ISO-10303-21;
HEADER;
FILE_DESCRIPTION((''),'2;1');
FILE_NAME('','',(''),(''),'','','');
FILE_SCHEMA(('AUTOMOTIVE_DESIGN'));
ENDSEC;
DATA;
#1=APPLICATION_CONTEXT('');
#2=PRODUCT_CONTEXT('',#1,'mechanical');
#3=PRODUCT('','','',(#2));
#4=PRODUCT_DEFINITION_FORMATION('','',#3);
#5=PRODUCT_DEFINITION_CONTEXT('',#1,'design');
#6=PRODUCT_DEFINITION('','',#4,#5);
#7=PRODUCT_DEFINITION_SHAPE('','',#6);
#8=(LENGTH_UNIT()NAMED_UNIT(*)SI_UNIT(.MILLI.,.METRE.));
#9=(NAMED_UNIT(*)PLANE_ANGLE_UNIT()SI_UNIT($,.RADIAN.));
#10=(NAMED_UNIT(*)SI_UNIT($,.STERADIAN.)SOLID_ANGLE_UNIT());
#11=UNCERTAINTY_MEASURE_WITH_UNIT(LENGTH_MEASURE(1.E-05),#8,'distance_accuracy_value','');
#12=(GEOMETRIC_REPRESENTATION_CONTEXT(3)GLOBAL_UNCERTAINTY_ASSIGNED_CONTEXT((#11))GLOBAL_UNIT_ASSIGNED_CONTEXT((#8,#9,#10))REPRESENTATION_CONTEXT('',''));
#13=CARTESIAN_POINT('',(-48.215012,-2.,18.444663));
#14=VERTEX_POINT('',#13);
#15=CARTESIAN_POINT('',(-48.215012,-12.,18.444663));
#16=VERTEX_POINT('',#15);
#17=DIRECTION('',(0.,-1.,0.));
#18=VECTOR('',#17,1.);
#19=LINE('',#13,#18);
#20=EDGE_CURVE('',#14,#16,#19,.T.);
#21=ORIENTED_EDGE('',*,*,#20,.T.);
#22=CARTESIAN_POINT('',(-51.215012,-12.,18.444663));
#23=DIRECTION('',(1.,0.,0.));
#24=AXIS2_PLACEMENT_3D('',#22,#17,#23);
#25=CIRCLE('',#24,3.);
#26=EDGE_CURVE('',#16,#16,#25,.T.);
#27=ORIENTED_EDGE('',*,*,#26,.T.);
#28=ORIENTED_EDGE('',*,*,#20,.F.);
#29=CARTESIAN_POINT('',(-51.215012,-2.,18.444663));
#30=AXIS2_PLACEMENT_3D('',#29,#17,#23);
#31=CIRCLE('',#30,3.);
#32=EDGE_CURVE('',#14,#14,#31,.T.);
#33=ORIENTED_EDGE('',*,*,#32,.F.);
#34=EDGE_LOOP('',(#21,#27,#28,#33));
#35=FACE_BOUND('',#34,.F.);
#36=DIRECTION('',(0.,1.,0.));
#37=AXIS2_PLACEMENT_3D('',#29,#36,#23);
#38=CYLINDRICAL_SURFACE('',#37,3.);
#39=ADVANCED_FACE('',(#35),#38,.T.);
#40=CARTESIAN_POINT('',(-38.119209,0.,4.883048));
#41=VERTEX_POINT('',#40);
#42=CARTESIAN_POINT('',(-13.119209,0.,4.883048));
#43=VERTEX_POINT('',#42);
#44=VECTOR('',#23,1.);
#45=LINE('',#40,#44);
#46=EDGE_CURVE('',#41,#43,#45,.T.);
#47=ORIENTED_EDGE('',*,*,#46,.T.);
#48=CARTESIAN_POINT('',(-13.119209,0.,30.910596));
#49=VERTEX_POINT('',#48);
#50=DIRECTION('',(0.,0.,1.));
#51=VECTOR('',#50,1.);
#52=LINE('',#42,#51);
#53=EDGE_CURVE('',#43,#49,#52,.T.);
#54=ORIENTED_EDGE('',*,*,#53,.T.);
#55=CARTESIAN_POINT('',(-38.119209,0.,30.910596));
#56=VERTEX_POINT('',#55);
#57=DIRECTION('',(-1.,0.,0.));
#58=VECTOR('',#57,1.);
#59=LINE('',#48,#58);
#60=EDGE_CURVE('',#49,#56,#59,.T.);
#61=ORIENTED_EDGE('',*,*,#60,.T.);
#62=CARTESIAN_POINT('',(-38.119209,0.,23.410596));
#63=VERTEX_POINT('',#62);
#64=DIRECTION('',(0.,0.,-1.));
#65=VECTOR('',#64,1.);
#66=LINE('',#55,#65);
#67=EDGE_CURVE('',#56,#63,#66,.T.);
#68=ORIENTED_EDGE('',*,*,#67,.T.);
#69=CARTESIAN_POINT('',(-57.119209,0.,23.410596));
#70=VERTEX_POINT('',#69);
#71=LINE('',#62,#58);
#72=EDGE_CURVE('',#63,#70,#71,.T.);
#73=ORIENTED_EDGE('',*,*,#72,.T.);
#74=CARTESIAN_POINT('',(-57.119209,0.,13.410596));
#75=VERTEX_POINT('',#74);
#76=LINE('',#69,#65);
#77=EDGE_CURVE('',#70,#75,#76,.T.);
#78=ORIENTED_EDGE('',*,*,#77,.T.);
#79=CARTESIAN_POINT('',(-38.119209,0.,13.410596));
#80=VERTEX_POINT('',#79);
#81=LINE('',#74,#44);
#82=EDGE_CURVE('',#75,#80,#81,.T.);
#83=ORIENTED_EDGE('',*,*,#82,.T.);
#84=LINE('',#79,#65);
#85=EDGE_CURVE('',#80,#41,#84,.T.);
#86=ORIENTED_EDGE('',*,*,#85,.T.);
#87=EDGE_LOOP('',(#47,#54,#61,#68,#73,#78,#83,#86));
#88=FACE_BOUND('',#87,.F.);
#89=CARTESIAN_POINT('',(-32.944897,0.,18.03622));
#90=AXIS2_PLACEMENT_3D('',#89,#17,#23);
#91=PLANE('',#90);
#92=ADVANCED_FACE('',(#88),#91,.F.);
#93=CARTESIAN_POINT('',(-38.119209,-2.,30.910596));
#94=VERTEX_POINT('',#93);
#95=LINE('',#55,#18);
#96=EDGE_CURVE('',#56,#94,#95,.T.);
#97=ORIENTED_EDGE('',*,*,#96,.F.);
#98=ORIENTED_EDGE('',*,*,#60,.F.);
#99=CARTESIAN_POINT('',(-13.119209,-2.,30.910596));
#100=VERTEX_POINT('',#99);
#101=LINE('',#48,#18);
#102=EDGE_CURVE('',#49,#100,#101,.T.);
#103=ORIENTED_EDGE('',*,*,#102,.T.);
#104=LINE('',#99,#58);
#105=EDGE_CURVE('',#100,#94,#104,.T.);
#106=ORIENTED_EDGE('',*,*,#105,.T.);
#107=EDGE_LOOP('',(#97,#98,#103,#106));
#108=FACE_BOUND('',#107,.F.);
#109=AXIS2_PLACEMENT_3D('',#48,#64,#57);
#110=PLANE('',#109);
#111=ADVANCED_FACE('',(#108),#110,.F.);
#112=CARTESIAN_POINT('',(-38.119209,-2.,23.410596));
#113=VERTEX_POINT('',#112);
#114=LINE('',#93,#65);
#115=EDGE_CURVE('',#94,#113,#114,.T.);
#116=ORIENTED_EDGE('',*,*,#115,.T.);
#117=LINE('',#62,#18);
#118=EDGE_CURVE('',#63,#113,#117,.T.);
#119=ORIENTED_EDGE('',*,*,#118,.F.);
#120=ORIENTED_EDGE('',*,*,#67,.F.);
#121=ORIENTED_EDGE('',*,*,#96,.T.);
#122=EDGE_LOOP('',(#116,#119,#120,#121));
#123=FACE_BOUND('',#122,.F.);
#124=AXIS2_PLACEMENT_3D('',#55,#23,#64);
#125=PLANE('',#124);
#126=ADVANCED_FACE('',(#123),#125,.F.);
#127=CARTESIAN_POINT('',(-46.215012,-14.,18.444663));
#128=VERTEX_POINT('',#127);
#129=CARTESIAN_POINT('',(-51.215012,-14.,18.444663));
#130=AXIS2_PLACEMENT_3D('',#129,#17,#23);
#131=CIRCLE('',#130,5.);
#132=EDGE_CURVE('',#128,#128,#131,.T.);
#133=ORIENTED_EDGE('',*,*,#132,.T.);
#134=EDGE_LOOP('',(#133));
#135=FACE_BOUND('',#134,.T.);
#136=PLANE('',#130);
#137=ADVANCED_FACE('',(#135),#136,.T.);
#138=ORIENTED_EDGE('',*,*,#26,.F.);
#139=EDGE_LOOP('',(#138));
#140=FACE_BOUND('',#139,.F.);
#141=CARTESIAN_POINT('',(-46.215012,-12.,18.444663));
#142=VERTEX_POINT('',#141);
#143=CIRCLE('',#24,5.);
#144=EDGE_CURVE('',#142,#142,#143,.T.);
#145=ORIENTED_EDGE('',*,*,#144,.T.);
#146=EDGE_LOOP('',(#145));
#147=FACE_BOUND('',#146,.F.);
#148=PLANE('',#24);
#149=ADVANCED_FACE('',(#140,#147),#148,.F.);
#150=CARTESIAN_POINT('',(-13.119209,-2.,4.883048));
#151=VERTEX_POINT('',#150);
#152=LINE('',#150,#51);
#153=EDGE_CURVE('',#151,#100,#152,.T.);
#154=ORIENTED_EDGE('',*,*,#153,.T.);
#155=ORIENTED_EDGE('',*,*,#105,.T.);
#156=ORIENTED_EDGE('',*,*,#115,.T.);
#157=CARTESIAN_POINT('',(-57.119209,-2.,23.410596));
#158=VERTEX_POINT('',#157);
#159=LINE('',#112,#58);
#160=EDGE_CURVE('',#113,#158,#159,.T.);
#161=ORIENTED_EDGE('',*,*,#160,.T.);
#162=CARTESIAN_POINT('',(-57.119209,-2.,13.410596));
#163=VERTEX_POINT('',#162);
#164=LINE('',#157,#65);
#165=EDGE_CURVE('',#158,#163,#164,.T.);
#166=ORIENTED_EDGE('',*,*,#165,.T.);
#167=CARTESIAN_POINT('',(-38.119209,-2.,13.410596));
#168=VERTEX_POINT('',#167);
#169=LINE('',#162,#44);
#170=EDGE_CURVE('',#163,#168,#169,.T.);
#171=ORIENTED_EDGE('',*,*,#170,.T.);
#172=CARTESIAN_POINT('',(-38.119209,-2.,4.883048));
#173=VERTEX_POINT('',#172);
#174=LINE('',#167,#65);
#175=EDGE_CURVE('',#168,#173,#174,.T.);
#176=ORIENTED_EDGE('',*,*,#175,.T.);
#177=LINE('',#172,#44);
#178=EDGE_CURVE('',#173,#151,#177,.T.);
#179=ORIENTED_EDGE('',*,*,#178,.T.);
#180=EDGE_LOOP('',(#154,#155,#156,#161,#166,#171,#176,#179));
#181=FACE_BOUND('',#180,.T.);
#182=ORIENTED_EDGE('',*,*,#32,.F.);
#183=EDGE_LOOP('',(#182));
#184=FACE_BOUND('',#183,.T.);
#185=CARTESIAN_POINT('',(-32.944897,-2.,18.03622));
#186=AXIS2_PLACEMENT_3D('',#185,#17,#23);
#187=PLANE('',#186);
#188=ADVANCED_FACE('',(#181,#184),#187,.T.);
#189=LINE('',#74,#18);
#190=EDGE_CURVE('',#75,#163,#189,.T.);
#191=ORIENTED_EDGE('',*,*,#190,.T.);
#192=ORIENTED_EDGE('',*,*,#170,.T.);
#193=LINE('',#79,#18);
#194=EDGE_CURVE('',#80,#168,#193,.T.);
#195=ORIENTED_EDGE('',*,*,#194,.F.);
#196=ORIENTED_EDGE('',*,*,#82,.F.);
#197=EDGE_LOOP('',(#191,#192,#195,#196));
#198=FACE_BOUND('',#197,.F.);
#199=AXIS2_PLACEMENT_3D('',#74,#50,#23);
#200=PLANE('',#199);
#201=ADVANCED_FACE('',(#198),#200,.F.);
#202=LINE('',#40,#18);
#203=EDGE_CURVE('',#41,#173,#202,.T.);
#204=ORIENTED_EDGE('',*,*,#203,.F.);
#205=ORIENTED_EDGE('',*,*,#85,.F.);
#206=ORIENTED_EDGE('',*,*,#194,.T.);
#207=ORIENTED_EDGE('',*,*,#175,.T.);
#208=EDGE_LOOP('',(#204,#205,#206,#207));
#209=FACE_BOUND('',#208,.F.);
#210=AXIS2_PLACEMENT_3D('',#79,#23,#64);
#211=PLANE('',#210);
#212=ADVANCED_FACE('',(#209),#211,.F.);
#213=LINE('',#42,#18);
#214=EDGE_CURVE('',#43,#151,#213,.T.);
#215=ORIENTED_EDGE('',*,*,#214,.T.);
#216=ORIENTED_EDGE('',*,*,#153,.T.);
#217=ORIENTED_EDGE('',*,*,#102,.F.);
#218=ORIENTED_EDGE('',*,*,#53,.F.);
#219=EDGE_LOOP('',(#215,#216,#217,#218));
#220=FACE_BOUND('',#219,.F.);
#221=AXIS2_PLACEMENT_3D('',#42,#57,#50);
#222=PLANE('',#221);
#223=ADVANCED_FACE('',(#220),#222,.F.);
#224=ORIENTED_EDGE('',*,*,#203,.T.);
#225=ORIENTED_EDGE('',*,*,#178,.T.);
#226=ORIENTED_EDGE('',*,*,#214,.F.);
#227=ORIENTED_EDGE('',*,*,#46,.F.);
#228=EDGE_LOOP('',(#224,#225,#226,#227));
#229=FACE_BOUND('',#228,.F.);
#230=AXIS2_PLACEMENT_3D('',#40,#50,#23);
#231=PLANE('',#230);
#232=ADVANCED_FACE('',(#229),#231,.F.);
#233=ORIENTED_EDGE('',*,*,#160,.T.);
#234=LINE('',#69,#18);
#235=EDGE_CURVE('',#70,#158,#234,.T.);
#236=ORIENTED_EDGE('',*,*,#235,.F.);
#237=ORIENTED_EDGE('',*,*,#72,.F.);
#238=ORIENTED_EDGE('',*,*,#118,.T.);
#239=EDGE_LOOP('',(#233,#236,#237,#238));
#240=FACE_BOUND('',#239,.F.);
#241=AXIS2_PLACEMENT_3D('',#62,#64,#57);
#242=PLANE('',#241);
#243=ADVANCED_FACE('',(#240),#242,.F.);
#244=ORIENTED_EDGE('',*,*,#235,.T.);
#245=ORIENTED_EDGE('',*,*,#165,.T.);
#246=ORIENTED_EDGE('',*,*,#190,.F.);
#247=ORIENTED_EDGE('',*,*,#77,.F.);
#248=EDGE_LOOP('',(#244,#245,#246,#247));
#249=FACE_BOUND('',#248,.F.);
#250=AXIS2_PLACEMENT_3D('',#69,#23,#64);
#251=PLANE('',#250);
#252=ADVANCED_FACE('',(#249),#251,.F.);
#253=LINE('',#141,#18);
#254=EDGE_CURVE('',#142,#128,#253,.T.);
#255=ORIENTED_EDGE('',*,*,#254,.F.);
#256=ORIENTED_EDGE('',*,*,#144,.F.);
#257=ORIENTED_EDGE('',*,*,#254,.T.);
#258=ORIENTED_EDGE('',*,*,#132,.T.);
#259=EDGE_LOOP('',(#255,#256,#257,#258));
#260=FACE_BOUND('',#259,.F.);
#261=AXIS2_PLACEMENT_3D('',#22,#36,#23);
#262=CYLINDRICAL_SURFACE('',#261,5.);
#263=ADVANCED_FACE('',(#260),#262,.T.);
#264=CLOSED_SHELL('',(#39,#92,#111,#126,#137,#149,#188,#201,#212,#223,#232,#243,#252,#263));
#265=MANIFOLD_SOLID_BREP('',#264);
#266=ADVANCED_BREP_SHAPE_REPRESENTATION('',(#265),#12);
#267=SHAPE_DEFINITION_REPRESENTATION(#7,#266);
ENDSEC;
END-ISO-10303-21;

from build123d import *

# Parameters (mm, degrees)
F1_DEPTH = 2
F2_R     = 3
F3_DEPTH = 10
F4_R     = 5
F5_DEPTH = 2


with BuildPart() as f1:
    # F0 (on Front) → F1 (new body)
    with BuildSketch(Plane.XZ):
        Polygon((-13.119209, 30.910596), (-38.119209, 30.910596), (-38.119209, 23.410596), (-57.119209, 23.410596), (-57.119209, 13.410596), (-38.119209, 13.410596), (-38.119209, 4.883048), (-13.119209, 4.883048), align=None)
    extrude(amount=F1_DEPTH)

    # F2 (on face) → F3 (join)
    with BuildSketch(Plane.XZ.offset(2)):
        with Locations((-51.215012, 18.444663)):
            Circle(F2_R)
    extrude(amount=F3_DEPTH)

    # F4 (on face) → F5 (join)
    with BuildSketch(Plane.XZ.offset(12)):
        with Locations((-51.215012, 18.444663)):
            Circle(F4_R)
    extrude(amount=F5_DEPTH)


solid = f1.part
